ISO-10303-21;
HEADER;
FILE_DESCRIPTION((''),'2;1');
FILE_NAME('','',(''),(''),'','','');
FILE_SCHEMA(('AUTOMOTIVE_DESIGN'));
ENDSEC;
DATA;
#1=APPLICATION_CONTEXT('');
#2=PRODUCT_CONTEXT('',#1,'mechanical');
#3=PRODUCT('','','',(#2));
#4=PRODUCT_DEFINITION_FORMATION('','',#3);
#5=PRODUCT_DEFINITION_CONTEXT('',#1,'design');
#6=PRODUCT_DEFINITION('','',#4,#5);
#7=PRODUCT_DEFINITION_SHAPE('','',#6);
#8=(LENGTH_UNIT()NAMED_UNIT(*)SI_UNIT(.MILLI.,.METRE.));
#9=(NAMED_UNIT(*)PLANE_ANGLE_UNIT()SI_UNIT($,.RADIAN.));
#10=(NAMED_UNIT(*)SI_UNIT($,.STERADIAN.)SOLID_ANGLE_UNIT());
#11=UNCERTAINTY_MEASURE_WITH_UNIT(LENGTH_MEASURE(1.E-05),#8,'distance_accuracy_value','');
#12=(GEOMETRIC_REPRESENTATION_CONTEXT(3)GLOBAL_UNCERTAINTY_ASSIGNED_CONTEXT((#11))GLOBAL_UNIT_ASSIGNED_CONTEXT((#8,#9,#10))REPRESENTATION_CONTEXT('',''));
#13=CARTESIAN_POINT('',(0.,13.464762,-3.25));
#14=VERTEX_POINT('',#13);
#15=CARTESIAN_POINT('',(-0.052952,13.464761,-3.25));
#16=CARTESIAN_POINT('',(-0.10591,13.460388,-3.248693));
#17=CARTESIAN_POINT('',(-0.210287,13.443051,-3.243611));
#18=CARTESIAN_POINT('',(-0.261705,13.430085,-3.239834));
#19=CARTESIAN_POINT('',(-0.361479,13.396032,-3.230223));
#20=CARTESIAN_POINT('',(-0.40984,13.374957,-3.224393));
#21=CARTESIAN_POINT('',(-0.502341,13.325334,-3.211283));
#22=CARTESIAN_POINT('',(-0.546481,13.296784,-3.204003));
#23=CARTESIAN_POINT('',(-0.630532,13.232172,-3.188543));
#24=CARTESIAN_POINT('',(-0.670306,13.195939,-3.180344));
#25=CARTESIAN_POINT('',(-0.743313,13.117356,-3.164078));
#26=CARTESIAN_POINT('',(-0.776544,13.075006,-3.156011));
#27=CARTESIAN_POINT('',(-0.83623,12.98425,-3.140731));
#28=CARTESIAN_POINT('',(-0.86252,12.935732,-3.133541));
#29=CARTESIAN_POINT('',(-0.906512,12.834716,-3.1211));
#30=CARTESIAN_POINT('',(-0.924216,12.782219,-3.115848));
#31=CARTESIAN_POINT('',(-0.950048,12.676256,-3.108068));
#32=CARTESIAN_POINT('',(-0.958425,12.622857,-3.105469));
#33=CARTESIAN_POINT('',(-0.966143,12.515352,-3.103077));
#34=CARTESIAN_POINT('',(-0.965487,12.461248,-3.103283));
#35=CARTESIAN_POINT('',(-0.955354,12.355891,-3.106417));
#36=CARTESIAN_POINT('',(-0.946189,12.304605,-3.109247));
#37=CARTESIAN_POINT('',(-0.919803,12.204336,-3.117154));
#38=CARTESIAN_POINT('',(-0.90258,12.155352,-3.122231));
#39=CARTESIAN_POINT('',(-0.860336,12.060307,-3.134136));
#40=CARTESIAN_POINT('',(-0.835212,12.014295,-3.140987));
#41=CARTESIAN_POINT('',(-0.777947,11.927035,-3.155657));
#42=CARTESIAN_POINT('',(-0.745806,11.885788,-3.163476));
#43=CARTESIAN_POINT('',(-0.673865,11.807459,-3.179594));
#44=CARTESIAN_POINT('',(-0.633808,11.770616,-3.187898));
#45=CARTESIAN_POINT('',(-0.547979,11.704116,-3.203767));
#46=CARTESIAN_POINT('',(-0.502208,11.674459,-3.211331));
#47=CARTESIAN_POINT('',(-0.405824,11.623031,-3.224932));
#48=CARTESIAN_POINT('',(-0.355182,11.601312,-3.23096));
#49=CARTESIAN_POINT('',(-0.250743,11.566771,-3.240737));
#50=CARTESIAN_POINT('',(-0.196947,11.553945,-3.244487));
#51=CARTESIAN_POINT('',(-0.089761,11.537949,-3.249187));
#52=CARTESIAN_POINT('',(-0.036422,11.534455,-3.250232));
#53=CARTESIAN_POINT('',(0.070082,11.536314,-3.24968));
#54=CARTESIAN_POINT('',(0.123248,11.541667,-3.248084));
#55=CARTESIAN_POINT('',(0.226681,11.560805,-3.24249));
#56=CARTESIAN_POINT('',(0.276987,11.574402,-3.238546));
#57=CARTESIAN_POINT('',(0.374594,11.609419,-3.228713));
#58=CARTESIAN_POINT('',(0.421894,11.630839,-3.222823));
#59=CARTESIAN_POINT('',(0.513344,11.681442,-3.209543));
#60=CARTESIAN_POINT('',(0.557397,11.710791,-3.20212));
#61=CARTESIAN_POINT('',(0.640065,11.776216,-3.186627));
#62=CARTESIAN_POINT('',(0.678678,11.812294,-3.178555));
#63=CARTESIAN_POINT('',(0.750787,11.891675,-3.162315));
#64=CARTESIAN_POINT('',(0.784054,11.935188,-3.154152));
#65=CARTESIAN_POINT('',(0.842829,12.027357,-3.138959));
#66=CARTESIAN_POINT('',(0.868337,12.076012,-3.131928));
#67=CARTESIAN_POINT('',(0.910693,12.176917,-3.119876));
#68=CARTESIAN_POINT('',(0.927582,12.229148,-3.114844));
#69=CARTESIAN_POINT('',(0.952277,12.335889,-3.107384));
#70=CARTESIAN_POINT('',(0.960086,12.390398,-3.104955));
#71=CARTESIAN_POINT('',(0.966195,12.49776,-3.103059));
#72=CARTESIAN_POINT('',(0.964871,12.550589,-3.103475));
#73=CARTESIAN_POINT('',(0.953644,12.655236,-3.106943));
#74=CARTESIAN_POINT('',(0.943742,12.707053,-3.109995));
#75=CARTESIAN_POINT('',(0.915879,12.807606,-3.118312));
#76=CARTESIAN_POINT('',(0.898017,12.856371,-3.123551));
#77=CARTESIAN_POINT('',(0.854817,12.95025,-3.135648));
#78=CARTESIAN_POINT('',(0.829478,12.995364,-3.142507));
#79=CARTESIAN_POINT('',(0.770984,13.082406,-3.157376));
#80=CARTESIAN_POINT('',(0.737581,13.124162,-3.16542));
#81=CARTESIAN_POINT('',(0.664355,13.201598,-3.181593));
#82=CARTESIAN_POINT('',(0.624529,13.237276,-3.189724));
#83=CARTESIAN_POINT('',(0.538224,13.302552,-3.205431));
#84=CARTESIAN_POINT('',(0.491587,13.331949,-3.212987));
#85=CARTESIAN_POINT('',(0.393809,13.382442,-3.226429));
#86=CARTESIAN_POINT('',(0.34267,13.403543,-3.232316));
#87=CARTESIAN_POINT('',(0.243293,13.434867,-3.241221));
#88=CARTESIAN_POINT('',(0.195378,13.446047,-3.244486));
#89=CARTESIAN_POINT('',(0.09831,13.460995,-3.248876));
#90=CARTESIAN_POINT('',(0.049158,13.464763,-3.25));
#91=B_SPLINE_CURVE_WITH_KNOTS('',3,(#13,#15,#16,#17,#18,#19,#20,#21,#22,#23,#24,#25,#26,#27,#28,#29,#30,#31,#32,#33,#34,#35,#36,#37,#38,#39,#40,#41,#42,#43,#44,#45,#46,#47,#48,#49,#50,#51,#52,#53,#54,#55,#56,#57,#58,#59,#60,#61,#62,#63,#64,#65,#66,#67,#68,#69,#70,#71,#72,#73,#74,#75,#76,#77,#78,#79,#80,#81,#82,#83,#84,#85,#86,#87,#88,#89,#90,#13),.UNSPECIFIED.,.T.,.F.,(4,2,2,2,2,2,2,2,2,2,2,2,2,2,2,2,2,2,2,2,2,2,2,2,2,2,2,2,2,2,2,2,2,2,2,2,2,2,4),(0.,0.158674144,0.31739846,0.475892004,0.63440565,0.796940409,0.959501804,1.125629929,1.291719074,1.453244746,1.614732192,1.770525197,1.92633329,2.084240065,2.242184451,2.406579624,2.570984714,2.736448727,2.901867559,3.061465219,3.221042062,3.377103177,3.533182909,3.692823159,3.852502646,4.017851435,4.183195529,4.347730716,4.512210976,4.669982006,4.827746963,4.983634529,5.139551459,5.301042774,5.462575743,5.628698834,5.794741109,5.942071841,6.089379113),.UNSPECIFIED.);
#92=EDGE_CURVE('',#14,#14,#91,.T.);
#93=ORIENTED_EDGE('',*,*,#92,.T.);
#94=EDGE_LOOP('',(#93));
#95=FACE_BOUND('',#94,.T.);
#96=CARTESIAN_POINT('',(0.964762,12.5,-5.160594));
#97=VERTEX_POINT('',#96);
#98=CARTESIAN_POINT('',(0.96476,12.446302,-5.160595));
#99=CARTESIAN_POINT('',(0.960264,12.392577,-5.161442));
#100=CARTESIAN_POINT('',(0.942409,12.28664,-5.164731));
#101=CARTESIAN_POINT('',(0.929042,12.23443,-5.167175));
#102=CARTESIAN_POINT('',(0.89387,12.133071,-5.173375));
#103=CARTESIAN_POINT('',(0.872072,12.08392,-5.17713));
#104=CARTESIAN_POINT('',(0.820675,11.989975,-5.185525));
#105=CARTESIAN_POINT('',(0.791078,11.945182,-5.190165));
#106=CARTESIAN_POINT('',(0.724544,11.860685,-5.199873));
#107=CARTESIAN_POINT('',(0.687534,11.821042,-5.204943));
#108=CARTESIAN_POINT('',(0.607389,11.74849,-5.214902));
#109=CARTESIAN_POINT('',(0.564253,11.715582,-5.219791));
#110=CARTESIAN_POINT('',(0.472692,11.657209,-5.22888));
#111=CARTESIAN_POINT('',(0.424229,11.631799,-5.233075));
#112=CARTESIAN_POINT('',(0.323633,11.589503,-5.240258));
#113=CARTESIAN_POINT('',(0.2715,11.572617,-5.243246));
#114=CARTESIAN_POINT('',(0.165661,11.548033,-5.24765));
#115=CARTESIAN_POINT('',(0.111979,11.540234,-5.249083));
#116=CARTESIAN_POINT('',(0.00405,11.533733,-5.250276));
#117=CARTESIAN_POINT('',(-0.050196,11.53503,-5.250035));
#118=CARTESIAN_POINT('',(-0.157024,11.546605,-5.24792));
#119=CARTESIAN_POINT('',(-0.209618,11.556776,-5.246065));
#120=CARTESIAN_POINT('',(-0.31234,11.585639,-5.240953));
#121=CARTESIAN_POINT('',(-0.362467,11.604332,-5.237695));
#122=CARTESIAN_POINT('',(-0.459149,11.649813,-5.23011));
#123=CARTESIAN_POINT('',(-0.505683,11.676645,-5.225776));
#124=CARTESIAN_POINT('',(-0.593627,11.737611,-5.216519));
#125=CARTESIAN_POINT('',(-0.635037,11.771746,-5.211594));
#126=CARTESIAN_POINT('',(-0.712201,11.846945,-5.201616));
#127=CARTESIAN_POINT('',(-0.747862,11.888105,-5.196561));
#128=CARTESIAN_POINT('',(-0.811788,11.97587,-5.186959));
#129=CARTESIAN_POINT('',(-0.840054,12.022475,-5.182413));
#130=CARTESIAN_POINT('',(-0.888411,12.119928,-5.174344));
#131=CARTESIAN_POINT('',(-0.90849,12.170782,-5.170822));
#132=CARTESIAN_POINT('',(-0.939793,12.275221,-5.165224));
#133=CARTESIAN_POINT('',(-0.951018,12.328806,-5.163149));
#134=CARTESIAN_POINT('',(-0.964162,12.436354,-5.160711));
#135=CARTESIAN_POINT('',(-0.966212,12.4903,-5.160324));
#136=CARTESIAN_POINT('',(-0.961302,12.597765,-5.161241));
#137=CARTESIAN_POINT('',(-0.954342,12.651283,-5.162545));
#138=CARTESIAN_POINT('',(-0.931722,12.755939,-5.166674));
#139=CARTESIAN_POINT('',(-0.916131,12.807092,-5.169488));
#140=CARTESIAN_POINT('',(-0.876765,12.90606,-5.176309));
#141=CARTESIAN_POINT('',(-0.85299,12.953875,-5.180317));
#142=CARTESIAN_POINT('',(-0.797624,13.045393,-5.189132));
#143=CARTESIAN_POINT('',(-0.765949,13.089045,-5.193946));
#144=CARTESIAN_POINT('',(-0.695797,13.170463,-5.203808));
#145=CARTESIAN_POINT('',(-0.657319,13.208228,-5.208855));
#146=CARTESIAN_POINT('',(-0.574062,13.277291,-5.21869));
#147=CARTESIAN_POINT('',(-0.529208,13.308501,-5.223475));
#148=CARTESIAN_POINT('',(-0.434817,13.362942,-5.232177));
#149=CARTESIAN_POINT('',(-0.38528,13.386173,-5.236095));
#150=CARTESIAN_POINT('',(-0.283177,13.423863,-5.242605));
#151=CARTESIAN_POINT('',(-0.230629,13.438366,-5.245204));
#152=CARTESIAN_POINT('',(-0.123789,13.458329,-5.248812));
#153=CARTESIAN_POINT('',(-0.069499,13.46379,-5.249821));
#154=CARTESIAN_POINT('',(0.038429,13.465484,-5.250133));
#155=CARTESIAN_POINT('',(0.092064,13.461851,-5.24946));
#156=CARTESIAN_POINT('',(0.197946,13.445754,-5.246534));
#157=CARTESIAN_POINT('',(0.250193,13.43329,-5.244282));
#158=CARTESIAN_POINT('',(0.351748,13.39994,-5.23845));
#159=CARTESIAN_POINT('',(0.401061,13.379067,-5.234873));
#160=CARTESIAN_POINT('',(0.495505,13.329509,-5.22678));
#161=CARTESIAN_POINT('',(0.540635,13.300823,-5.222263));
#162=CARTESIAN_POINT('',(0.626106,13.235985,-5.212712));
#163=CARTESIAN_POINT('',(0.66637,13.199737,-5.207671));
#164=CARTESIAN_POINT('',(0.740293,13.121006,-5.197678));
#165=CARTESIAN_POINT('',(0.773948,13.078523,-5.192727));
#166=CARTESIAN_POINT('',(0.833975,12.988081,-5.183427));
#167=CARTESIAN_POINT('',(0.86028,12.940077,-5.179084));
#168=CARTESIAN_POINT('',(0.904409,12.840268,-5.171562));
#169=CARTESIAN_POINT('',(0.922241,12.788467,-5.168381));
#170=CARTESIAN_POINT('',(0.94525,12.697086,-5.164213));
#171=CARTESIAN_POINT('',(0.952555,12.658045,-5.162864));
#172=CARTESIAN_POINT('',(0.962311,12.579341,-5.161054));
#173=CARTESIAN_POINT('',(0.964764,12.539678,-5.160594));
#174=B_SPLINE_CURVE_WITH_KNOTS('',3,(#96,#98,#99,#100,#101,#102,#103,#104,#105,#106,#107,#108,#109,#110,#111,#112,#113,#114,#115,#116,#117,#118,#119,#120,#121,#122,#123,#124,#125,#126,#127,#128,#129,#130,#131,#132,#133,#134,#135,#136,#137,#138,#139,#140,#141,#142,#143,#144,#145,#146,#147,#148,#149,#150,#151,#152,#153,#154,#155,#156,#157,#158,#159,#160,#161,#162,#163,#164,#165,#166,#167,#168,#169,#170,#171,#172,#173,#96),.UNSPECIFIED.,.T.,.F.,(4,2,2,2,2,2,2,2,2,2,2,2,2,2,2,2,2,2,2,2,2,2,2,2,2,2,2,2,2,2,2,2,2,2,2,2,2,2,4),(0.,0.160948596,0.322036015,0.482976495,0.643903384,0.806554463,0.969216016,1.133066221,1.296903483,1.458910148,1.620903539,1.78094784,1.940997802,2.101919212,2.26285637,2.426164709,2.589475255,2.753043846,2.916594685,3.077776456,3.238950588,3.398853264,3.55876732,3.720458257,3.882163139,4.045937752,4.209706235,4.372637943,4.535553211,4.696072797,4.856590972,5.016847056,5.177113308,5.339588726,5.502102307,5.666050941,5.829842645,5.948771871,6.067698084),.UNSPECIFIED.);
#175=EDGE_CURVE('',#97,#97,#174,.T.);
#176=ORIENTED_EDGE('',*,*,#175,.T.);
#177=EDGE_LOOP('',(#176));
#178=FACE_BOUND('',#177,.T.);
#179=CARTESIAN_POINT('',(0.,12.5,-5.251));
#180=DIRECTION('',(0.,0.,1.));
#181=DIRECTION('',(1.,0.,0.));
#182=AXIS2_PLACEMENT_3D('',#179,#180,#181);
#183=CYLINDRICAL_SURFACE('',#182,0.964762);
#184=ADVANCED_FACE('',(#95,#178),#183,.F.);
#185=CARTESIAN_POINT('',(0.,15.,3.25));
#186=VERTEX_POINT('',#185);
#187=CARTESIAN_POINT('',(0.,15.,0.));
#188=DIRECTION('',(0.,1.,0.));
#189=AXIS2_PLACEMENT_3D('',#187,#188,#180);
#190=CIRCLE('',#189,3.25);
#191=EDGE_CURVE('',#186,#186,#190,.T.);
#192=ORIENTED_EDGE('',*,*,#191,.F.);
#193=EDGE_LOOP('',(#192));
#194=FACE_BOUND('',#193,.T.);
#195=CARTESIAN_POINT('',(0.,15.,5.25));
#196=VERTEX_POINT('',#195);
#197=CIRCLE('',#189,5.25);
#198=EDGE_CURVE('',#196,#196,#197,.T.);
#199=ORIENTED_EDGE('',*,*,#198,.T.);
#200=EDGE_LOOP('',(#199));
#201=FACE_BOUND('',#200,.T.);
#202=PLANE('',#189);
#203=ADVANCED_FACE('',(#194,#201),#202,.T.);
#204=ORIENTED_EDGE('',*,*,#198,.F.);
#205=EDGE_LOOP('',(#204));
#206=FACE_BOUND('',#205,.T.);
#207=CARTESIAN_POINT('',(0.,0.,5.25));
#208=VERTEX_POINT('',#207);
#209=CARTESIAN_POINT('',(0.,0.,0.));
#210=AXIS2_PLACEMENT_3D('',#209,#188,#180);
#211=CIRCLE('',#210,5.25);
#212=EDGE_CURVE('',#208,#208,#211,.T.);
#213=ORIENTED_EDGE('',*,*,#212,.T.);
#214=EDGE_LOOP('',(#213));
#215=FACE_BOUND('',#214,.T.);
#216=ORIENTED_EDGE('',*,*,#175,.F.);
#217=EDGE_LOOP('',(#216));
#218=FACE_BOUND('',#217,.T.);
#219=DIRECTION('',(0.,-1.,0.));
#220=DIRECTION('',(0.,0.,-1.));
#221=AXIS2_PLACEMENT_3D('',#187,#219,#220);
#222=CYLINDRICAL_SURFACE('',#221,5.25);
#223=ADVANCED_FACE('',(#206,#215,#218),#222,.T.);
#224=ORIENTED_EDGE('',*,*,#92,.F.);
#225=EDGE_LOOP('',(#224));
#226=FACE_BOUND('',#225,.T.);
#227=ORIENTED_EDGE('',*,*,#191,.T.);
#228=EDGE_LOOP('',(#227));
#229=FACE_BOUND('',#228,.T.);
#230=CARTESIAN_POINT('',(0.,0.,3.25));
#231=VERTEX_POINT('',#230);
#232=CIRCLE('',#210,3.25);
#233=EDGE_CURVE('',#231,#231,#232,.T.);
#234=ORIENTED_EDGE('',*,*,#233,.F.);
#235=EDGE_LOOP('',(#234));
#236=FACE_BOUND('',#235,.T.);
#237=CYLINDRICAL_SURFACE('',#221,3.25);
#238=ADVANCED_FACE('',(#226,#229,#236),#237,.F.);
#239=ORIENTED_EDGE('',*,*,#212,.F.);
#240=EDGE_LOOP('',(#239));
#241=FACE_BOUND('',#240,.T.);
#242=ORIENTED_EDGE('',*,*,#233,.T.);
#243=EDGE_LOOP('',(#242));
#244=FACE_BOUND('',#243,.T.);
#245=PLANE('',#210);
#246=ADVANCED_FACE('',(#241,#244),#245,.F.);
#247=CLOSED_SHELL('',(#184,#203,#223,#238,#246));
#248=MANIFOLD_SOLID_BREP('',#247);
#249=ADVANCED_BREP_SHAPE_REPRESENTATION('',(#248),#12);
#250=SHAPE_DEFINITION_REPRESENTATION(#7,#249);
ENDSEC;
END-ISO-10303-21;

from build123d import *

# Parameters (mm, degrees)
ESQUISSE1_R              = 5.25
ESQUISSE1_R_2            = 3.25
BASE_DEPTH               = 15
VIDE_GOUPILLE_REACH      = 18.737
VIDE_GOUPILLE_END_RADIUS = 5.25
ESQUISSE2_R              = 0.964762098


with BuildPart() as part:
    # Esquisse1 → BASE (new body)
    with BuildSketch(Plane(origin=(0, 0, 0), x_dir=(1, 0, 0), z_dir=(0, 1, 0))):
        with Locations(Location((0, 0, 0), (0, 0, 270))):
            Circle(ESQUISSE1_R)
        with Locations(Location((0, 0, 0), (0, 0, 270))):
            Circle(ESQUISSE1_R_2, mode=Mode.SUBTRACT)
    extrude(amount=BASE_DEPTH)

    # VIDE GOUPILLE: up to this cylinder (the profile starts inside it)
    vide_goupille_end = Plane(origin=(0, 12.5, 0), z_dir=(0, -1, 0)) * Cylinder(VIDE_GOUPILLE_END_RADIUS, 48.974, mode=Mode.PRIVATE)
    # Esquisse2 → VIDE GOUPILLE (cut, up to the surface)
    with BuildSketch(Plane.XY, mode=Mode.PRIVATE) as vide_goupille_sk1:
        with Locations((0, 12.5)):
            Circle(ESQUISSE2_R)
    vide_goupille_tool1 = extrude(vide_goupille_sk1.sketch, amount=-VIDE_GOUPILLE_REACH, mode=Mode.PRIVATE) & vide_goupille_end
    add(vide_goupille_tool1.solids().sort_by_distance((0, 12.5, 0))[0], mode=Mode.SUBTRACT)


solid = part.part
